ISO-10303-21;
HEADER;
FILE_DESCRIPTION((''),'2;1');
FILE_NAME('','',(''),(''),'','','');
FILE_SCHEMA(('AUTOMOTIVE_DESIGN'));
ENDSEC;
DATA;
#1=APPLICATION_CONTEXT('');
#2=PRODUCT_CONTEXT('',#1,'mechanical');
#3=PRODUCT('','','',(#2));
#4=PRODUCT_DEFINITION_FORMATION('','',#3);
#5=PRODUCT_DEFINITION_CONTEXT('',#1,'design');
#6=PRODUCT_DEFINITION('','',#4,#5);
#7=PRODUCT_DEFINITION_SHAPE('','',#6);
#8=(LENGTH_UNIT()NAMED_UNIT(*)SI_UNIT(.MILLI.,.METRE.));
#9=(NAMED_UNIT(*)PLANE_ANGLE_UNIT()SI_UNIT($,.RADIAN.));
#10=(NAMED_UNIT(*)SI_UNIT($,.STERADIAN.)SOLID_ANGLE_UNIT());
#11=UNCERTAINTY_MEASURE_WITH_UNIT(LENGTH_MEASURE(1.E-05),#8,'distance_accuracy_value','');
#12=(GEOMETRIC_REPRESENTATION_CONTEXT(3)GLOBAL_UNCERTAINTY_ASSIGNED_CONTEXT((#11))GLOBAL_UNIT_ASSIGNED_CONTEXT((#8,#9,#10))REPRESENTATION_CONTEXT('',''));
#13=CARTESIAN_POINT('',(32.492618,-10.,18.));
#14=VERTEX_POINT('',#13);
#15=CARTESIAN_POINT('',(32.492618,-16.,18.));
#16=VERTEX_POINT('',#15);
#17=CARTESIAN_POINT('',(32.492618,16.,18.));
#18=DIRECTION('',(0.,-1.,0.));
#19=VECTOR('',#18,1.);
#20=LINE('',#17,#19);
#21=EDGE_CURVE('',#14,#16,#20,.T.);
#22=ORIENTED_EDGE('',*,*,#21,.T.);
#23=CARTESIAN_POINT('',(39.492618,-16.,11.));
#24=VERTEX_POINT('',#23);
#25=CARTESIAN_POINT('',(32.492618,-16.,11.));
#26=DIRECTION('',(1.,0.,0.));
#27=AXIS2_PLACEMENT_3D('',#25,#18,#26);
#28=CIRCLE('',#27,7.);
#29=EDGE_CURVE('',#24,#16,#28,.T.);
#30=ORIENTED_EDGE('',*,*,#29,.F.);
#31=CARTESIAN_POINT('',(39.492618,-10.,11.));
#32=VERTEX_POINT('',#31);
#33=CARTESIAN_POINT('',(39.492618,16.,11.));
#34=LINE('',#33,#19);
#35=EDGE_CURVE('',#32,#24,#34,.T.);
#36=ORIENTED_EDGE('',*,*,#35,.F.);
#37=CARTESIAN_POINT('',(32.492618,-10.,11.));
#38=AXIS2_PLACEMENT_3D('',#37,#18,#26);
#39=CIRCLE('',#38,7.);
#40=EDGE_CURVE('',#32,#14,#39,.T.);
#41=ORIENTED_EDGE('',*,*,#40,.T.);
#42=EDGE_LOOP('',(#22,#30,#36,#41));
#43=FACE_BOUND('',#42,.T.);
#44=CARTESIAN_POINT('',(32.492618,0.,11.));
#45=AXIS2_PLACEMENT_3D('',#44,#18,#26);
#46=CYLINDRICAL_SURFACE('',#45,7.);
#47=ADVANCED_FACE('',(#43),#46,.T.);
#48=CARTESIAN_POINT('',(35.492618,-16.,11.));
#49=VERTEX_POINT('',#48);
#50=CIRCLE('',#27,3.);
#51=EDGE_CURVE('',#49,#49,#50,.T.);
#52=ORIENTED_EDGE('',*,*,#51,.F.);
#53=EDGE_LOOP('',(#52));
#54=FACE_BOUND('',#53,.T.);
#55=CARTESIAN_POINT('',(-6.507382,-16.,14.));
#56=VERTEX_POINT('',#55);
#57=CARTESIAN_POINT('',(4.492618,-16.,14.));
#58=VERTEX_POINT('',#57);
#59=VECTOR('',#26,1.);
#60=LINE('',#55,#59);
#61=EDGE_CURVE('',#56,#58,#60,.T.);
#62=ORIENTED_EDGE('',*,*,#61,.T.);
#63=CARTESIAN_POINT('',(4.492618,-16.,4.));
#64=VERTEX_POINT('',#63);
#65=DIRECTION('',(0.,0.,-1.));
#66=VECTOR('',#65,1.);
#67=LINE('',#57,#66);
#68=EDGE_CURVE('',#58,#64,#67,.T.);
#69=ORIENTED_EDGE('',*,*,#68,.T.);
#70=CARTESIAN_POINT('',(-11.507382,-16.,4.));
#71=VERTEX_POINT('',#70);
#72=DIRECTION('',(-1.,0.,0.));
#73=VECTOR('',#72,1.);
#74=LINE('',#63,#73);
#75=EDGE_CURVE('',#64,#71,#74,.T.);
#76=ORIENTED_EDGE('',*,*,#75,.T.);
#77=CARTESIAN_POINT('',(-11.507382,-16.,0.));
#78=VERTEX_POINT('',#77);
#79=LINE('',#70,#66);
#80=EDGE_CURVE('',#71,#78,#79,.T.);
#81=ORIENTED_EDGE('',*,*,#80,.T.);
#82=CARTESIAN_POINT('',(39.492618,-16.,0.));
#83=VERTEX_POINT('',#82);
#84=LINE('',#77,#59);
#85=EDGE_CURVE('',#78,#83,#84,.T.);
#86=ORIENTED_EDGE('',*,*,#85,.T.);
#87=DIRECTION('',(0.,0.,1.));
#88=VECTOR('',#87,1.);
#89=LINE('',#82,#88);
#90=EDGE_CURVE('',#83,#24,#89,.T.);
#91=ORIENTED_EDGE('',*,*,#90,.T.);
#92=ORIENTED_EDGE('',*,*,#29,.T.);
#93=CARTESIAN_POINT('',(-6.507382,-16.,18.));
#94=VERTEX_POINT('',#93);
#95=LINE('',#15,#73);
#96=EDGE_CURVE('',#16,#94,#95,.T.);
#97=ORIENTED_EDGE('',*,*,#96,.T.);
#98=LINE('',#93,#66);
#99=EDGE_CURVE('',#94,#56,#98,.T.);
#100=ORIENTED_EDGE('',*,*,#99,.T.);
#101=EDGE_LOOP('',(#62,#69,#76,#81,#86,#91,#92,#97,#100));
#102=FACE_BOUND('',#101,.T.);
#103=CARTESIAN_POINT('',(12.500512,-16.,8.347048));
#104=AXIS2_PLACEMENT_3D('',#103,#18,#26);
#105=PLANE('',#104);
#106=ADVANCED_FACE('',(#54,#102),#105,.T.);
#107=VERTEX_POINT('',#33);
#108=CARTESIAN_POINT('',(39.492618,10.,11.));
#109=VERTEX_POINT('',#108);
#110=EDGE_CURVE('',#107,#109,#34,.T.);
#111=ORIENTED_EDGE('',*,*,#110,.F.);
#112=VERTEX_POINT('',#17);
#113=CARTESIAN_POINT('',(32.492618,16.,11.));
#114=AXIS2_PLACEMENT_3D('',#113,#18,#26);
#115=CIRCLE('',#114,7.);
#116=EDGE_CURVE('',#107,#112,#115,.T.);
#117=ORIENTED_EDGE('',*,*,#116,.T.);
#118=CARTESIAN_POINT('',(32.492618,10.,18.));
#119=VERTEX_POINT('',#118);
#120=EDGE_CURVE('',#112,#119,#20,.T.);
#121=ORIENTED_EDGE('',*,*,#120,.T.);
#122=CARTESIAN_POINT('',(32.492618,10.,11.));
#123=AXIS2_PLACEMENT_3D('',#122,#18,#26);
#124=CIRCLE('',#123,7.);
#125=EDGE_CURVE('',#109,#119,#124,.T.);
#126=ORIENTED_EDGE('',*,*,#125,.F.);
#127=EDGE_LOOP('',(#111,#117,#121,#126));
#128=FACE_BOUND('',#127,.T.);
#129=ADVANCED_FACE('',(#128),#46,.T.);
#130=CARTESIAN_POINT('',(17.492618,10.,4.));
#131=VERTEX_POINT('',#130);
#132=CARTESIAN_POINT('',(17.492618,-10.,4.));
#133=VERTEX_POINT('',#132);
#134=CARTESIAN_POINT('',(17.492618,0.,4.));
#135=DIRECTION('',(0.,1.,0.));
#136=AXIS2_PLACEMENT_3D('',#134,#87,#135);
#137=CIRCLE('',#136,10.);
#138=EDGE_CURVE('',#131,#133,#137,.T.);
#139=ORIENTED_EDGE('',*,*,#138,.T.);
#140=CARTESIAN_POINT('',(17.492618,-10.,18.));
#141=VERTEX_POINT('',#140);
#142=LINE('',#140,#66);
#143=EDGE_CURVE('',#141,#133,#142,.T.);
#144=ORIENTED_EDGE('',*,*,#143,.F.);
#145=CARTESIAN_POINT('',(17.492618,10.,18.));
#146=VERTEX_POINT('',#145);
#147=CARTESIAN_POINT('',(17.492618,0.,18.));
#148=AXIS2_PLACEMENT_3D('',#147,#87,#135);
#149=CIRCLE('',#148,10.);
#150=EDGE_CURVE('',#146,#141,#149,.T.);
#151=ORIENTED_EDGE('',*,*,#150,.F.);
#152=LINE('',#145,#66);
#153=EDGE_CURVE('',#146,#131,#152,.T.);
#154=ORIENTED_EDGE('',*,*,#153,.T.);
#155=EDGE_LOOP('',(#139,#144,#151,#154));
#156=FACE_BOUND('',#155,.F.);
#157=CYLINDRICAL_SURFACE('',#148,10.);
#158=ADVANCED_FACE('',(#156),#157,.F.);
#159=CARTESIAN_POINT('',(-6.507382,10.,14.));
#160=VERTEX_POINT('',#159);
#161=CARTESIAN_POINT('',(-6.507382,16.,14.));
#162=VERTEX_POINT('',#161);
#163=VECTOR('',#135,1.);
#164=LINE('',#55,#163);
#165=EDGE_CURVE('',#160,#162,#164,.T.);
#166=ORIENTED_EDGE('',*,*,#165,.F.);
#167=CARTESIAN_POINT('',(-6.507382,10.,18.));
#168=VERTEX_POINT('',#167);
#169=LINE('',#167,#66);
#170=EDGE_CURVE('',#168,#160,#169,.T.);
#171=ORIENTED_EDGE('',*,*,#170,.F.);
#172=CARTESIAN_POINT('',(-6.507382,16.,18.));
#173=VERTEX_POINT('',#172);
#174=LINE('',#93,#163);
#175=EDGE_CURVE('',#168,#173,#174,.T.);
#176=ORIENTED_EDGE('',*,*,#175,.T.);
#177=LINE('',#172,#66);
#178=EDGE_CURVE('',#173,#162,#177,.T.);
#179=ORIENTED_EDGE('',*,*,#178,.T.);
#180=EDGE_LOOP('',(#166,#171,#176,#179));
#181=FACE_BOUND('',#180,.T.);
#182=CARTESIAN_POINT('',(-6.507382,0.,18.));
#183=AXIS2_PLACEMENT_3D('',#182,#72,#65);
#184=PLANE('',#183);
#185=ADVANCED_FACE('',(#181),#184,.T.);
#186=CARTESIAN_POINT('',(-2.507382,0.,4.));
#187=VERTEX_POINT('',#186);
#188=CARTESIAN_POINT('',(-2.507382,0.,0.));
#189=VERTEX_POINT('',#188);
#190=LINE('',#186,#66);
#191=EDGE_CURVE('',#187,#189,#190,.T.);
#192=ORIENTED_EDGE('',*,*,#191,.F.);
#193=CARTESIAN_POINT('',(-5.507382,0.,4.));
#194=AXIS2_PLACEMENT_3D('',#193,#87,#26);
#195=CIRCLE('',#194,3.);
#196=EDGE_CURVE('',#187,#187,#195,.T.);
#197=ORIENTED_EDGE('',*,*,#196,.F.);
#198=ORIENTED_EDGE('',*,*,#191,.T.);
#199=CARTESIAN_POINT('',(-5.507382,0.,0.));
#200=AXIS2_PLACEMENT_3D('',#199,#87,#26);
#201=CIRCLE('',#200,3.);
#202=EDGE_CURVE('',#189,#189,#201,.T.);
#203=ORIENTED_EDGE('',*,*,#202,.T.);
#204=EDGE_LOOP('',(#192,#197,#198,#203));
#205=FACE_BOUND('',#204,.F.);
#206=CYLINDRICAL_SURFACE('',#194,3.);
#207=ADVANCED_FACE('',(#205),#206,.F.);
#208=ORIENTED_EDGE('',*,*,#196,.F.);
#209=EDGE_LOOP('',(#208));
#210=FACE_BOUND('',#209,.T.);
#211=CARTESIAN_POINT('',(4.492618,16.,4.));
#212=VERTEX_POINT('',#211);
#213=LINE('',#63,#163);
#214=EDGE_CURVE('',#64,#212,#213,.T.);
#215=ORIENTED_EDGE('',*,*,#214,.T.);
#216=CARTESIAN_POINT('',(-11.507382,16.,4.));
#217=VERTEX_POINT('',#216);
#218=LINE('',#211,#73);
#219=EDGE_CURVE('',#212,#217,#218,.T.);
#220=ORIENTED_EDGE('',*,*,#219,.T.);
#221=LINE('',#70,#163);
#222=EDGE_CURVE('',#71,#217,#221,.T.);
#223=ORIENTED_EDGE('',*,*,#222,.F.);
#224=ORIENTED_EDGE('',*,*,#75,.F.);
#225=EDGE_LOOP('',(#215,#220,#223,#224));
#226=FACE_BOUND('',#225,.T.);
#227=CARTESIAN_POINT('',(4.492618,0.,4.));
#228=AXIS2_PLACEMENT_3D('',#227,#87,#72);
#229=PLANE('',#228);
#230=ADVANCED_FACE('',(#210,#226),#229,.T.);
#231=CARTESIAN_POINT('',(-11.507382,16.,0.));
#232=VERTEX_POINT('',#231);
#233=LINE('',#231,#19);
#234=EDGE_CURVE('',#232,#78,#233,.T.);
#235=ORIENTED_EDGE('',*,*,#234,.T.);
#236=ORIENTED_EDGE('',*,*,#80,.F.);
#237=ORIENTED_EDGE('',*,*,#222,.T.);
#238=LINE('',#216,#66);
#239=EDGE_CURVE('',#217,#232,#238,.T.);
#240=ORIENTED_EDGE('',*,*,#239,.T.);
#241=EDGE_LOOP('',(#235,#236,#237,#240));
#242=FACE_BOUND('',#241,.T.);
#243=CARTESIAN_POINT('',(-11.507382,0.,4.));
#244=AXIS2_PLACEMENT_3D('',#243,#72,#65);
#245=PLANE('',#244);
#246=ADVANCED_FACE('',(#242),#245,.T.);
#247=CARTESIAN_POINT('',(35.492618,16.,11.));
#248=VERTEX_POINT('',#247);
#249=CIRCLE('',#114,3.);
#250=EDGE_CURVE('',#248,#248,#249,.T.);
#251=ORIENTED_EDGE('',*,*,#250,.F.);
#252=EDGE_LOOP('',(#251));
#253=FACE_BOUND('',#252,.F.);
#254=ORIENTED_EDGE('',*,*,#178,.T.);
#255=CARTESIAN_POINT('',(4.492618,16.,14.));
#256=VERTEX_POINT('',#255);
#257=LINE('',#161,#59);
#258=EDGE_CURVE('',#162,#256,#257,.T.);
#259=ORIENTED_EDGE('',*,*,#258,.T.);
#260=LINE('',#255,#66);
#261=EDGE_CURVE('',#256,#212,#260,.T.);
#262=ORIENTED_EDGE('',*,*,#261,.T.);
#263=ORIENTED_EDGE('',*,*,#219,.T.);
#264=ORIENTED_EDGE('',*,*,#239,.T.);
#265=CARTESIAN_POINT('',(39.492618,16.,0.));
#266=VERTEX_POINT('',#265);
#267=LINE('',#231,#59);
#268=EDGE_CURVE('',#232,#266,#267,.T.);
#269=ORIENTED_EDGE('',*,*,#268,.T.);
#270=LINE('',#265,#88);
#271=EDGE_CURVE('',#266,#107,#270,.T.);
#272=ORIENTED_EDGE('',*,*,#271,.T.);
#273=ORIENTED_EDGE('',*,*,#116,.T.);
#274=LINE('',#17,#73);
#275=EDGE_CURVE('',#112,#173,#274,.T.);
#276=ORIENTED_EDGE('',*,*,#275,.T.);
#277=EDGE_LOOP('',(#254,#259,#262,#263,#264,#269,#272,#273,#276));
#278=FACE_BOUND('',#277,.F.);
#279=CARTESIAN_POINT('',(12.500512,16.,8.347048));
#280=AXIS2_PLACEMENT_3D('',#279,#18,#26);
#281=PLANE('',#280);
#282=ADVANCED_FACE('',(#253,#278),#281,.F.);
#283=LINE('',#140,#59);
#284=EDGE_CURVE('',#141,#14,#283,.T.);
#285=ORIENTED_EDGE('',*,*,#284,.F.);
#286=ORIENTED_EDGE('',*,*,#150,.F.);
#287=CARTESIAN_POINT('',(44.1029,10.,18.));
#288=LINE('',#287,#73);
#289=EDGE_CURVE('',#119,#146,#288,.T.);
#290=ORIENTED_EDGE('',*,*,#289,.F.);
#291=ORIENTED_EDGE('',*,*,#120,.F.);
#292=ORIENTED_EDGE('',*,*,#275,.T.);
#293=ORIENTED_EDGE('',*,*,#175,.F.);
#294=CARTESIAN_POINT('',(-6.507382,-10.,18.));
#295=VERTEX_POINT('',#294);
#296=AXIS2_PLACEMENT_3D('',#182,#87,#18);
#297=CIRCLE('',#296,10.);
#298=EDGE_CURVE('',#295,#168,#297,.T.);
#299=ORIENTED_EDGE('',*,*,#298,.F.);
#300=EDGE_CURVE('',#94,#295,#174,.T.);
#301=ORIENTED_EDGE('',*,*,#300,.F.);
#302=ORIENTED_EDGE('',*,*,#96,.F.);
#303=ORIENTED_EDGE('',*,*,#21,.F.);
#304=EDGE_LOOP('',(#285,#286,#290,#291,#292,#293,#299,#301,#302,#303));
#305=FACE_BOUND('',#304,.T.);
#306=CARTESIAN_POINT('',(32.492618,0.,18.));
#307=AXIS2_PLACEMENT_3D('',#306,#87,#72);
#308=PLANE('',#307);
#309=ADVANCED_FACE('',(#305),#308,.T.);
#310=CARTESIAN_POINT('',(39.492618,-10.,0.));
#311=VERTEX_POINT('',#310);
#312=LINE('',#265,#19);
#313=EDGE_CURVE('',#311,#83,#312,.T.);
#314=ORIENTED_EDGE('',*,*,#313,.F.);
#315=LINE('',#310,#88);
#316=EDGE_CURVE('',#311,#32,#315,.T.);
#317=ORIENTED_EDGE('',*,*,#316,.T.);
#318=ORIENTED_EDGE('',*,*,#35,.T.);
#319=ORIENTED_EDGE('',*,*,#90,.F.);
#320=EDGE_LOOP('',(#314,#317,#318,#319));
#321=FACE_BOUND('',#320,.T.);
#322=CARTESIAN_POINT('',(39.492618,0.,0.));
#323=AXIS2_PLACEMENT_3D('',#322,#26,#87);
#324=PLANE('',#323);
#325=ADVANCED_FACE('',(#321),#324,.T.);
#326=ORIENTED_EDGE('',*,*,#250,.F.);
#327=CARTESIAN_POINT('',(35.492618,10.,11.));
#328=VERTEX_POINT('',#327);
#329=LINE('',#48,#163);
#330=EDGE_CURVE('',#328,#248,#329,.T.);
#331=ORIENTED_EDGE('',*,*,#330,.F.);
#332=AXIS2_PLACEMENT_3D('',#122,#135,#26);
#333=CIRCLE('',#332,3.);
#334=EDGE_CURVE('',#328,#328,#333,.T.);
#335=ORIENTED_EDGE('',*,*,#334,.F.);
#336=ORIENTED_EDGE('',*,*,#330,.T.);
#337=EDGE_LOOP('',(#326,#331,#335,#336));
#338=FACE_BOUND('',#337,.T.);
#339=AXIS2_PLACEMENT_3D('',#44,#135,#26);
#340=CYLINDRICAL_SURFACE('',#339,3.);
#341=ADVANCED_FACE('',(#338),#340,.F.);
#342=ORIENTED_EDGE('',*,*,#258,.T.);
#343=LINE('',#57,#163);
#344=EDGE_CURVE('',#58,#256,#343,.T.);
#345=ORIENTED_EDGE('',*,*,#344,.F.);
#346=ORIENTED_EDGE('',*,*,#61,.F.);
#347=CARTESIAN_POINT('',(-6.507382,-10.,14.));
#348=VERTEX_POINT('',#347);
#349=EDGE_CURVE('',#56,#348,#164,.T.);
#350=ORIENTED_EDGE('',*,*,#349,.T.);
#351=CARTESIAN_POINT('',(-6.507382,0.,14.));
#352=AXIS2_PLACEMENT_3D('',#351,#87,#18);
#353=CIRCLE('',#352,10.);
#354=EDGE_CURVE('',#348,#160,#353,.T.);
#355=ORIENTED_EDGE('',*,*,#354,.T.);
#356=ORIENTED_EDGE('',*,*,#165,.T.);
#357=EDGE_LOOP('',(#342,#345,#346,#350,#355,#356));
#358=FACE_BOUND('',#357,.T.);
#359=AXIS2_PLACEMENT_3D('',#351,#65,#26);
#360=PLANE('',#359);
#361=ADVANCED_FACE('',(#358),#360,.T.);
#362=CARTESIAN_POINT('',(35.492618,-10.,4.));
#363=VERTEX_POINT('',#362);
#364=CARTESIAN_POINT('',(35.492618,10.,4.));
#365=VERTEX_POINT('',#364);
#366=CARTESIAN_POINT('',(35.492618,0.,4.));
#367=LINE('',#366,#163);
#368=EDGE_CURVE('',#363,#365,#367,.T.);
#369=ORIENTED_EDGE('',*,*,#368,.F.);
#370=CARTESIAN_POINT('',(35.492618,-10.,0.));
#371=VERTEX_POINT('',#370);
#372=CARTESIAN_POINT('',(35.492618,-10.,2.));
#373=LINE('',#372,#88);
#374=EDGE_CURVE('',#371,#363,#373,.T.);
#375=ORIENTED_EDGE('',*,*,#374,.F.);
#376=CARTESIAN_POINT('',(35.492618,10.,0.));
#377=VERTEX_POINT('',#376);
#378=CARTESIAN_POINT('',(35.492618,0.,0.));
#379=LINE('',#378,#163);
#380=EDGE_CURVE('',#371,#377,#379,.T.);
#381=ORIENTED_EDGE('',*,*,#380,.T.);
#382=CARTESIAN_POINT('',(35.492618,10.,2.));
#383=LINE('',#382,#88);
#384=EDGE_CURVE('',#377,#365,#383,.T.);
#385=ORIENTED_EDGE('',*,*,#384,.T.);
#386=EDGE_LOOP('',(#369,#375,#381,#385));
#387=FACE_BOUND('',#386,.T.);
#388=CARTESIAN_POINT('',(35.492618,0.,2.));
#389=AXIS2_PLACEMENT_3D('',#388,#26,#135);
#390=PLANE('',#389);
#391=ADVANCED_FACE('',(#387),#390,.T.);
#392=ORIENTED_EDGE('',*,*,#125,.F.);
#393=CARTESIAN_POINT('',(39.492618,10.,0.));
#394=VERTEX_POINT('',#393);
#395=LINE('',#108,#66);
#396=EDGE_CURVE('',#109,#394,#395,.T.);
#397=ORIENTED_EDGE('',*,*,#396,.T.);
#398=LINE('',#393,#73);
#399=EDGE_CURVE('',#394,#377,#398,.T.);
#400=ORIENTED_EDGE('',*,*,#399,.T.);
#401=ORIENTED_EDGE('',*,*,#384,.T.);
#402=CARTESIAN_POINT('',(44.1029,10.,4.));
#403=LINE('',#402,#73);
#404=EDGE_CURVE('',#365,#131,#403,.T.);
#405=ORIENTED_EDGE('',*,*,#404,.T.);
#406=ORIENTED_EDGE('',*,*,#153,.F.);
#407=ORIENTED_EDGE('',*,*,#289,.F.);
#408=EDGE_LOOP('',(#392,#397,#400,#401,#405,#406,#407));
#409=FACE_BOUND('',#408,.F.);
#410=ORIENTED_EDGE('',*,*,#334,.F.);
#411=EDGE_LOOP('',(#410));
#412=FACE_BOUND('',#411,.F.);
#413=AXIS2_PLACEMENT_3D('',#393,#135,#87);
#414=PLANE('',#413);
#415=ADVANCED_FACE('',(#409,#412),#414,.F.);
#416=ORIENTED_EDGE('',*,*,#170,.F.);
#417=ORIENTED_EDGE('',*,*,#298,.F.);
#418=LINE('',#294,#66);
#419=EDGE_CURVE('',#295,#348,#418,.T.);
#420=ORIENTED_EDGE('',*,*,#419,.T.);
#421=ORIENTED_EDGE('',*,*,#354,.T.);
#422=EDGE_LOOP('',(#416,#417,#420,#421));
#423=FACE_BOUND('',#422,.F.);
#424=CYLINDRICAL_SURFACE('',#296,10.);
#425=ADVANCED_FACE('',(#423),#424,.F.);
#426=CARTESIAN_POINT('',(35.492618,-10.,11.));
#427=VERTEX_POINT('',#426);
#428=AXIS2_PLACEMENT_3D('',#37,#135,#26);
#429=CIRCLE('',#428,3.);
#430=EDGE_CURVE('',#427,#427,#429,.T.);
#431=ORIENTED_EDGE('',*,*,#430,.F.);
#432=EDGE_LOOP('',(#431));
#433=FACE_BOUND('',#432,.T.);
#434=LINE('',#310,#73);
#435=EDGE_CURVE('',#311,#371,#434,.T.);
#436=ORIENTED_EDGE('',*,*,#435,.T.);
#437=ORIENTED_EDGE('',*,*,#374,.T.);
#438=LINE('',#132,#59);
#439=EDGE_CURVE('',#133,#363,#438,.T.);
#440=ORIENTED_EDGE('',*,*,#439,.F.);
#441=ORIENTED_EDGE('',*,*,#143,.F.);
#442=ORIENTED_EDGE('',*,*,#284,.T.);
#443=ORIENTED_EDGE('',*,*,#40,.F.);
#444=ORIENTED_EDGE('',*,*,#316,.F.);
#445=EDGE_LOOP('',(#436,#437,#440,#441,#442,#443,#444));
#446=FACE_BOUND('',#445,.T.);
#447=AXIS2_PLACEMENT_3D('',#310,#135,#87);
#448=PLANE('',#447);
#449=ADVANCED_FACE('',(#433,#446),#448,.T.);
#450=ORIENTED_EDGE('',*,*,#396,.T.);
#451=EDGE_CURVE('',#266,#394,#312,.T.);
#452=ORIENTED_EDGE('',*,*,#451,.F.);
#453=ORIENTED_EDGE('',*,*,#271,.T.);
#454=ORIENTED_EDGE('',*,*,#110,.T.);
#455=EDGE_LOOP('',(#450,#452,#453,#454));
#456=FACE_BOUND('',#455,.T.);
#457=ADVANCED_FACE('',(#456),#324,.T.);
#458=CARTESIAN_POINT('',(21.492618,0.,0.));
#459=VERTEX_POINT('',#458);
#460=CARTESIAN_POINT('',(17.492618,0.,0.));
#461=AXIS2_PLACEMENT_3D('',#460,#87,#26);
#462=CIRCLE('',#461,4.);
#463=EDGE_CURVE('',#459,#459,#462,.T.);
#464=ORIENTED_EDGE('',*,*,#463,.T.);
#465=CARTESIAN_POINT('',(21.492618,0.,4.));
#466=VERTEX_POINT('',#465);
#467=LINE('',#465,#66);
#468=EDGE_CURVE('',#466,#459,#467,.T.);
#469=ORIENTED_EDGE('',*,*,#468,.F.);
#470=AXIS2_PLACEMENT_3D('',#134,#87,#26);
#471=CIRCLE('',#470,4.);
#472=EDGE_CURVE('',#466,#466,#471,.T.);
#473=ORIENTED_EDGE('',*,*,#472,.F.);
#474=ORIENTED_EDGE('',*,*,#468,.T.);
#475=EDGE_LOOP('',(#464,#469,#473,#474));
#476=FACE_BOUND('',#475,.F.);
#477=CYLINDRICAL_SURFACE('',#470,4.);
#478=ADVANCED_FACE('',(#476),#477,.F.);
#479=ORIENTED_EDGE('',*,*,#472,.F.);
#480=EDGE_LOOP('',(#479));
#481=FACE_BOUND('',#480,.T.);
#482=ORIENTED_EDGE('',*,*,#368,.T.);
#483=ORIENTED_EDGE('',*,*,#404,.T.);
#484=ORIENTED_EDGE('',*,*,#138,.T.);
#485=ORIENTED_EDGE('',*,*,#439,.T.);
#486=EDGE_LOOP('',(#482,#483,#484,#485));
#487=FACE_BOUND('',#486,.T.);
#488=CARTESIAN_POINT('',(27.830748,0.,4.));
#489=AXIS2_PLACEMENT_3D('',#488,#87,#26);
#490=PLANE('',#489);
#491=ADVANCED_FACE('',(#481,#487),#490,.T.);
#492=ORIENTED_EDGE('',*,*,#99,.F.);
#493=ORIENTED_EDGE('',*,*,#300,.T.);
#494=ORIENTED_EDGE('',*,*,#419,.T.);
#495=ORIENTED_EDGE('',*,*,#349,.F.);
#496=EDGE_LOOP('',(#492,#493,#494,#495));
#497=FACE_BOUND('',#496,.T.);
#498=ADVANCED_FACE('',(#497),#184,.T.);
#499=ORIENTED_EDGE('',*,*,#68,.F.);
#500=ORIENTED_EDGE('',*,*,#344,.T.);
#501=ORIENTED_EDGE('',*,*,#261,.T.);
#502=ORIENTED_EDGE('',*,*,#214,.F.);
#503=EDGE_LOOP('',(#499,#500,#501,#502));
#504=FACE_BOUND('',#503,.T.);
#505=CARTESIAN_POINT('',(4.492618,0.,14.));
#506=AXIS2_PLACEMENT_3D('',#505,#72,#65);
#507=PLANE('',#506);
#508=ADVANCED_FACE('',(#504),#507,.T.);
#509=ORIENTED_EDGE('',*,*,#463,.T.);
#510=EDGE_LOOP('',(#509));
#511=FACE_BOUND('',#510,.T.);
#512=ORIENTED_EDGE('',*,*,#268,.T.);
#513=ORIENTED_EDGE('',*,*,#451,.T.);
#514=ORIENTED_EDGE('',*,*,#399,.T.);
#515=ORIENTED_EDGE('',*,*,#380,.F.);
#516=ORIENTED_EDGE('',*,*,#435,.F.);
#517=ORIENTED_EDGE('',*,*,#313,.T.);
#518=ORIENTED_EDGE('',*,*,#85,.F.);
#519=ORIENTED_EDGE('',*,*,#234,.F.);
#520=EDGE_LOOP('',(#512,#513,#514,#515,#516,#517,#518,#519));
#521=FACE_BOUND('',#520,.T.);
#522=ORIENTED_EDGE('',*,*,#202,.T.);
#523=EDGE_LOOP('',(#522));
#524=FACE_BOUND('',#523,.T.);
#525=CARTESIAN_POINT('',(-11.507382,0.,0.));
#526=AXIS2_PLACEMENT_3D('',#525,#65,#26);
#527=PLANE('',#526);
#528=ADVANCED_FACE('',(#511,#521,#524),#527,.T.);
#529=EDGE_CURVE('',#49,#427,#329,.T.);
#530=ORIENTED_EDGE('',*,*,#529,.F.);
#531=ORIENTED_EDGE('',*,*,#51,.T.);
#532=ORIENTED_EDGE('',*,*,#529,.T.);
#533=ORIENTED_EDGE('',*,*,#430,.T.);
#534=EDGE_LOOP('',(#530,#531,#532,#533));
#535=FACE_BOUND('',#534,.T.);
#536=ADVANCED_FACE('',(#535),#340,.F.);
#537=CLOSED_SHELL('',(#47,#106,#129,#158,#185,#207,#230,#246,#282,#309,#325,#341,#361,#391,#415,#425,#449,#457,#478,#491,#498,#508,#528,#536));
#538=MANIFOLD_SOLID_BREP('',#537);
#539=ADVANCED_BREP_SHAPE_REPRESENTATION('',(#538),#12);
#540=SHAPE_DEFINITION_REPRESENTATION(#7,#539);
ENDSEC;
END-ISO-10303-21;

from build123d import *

# Parameters (mm, degrees)
F0_R     = 3
F1_DEPTH = 16
F3_DEPTH = 14
F4_W     = 20
F4_H     = 4
F5_DEPTH = 4
F6_R     = 3
F7_DEPTH = 25
F8_R     = 4
F9_DEPTH = 25


with BuildPart() as f1:
    # F0 (on Front) → F1 (new body, symmetric)
    with BuildSketch(Plane.XZ):
        with BuildLine():
            Line((-11.5073820825, 4), (-11.5073820825, 0))
            Line((-11.5073820825, 0), (39.4926179175, 0))
            Line((39.4926179175, 0), (39.4926179175, 11))
            ThreePointArc((39.4926179175, 11), (37.4423653858, 15.9497474683), (32.4926179175, 18))
            Line((32.4926179175, 18), (-6.5073820825, 18))
            Line((-6.5073820825, 18), (-6.5073820825, 14))
            Line((-6.5073820825, 14), (4.4926179175, 14))
            Line((4.4926179175, 14), (4.4926179175, 4))
            Line((4.4926179175, 4), (-11.5073820825, 4))
        make_face()
        with Locations((32.4926179175, 11)):
            Circle(F0_R, mode=Mode.SUBTRACT)
    extrude(amount=F1_DEPTH, both=True)

    # F2 (on face) → F3 (cut)
    with BuildSketch(Plane.XY.offset(18)):
        with BuildLine():
            Line((44.1028997302, 10), (32.4926179175, 10))
            Line((32.4926179175, 10), (17.4926179175, 10))
            ThreePointArc((17.4926179175, 10), (7.4926179175, 0), (17.4926179175, -10))
            Line((17.4926179175, -10), (32.4926179175, -10))
            Line((32.4926179175, -10), (44.1028997302, -10))
            Line((44.1028997302, -10), (44.1028997302, 10))
        make_face()
        with BuildLine():
            ThreePointArc((-6.5073820825, -10), (3.4926179175, 0), (-6.5073820825, 10))
            Line((-6.5073820825, 10), (-6.5073820825, -10))
        make_face()
    extrude(amount=-F3_DEPTH, mode=Mode.SUBTRACT)

    # F4 (on face) → F5 (cut)
    with BuildSketch(Plane.YZ.offset(39.4926179175)):
        with Locations((0, 2)):
            Rectangle(F4_W, F4_H)
    extrude(amount=-F5_DEPTH, mode=Mode.SUBTRACT)

    # F6 (on face) → F7 (cut)
    with BuildSketch(Plane.XY.offset(4)):
        with Locations((-5.5073820825, 0)):
            Circle(F6_R)
    extrude(amount=-F7_DEPTH, mode=Mode.SUBTRACT)

    # F8 (on face) → F9 (cut)
    with BuildSketch(Plane.XY.offset(4)):
        with Locations((17.4926179175, 0)):
            Circle(F8_R)
    extrude(amount=-F9_DEPTH, mode=Mode.SUBTRACT)


solid = f1.part
